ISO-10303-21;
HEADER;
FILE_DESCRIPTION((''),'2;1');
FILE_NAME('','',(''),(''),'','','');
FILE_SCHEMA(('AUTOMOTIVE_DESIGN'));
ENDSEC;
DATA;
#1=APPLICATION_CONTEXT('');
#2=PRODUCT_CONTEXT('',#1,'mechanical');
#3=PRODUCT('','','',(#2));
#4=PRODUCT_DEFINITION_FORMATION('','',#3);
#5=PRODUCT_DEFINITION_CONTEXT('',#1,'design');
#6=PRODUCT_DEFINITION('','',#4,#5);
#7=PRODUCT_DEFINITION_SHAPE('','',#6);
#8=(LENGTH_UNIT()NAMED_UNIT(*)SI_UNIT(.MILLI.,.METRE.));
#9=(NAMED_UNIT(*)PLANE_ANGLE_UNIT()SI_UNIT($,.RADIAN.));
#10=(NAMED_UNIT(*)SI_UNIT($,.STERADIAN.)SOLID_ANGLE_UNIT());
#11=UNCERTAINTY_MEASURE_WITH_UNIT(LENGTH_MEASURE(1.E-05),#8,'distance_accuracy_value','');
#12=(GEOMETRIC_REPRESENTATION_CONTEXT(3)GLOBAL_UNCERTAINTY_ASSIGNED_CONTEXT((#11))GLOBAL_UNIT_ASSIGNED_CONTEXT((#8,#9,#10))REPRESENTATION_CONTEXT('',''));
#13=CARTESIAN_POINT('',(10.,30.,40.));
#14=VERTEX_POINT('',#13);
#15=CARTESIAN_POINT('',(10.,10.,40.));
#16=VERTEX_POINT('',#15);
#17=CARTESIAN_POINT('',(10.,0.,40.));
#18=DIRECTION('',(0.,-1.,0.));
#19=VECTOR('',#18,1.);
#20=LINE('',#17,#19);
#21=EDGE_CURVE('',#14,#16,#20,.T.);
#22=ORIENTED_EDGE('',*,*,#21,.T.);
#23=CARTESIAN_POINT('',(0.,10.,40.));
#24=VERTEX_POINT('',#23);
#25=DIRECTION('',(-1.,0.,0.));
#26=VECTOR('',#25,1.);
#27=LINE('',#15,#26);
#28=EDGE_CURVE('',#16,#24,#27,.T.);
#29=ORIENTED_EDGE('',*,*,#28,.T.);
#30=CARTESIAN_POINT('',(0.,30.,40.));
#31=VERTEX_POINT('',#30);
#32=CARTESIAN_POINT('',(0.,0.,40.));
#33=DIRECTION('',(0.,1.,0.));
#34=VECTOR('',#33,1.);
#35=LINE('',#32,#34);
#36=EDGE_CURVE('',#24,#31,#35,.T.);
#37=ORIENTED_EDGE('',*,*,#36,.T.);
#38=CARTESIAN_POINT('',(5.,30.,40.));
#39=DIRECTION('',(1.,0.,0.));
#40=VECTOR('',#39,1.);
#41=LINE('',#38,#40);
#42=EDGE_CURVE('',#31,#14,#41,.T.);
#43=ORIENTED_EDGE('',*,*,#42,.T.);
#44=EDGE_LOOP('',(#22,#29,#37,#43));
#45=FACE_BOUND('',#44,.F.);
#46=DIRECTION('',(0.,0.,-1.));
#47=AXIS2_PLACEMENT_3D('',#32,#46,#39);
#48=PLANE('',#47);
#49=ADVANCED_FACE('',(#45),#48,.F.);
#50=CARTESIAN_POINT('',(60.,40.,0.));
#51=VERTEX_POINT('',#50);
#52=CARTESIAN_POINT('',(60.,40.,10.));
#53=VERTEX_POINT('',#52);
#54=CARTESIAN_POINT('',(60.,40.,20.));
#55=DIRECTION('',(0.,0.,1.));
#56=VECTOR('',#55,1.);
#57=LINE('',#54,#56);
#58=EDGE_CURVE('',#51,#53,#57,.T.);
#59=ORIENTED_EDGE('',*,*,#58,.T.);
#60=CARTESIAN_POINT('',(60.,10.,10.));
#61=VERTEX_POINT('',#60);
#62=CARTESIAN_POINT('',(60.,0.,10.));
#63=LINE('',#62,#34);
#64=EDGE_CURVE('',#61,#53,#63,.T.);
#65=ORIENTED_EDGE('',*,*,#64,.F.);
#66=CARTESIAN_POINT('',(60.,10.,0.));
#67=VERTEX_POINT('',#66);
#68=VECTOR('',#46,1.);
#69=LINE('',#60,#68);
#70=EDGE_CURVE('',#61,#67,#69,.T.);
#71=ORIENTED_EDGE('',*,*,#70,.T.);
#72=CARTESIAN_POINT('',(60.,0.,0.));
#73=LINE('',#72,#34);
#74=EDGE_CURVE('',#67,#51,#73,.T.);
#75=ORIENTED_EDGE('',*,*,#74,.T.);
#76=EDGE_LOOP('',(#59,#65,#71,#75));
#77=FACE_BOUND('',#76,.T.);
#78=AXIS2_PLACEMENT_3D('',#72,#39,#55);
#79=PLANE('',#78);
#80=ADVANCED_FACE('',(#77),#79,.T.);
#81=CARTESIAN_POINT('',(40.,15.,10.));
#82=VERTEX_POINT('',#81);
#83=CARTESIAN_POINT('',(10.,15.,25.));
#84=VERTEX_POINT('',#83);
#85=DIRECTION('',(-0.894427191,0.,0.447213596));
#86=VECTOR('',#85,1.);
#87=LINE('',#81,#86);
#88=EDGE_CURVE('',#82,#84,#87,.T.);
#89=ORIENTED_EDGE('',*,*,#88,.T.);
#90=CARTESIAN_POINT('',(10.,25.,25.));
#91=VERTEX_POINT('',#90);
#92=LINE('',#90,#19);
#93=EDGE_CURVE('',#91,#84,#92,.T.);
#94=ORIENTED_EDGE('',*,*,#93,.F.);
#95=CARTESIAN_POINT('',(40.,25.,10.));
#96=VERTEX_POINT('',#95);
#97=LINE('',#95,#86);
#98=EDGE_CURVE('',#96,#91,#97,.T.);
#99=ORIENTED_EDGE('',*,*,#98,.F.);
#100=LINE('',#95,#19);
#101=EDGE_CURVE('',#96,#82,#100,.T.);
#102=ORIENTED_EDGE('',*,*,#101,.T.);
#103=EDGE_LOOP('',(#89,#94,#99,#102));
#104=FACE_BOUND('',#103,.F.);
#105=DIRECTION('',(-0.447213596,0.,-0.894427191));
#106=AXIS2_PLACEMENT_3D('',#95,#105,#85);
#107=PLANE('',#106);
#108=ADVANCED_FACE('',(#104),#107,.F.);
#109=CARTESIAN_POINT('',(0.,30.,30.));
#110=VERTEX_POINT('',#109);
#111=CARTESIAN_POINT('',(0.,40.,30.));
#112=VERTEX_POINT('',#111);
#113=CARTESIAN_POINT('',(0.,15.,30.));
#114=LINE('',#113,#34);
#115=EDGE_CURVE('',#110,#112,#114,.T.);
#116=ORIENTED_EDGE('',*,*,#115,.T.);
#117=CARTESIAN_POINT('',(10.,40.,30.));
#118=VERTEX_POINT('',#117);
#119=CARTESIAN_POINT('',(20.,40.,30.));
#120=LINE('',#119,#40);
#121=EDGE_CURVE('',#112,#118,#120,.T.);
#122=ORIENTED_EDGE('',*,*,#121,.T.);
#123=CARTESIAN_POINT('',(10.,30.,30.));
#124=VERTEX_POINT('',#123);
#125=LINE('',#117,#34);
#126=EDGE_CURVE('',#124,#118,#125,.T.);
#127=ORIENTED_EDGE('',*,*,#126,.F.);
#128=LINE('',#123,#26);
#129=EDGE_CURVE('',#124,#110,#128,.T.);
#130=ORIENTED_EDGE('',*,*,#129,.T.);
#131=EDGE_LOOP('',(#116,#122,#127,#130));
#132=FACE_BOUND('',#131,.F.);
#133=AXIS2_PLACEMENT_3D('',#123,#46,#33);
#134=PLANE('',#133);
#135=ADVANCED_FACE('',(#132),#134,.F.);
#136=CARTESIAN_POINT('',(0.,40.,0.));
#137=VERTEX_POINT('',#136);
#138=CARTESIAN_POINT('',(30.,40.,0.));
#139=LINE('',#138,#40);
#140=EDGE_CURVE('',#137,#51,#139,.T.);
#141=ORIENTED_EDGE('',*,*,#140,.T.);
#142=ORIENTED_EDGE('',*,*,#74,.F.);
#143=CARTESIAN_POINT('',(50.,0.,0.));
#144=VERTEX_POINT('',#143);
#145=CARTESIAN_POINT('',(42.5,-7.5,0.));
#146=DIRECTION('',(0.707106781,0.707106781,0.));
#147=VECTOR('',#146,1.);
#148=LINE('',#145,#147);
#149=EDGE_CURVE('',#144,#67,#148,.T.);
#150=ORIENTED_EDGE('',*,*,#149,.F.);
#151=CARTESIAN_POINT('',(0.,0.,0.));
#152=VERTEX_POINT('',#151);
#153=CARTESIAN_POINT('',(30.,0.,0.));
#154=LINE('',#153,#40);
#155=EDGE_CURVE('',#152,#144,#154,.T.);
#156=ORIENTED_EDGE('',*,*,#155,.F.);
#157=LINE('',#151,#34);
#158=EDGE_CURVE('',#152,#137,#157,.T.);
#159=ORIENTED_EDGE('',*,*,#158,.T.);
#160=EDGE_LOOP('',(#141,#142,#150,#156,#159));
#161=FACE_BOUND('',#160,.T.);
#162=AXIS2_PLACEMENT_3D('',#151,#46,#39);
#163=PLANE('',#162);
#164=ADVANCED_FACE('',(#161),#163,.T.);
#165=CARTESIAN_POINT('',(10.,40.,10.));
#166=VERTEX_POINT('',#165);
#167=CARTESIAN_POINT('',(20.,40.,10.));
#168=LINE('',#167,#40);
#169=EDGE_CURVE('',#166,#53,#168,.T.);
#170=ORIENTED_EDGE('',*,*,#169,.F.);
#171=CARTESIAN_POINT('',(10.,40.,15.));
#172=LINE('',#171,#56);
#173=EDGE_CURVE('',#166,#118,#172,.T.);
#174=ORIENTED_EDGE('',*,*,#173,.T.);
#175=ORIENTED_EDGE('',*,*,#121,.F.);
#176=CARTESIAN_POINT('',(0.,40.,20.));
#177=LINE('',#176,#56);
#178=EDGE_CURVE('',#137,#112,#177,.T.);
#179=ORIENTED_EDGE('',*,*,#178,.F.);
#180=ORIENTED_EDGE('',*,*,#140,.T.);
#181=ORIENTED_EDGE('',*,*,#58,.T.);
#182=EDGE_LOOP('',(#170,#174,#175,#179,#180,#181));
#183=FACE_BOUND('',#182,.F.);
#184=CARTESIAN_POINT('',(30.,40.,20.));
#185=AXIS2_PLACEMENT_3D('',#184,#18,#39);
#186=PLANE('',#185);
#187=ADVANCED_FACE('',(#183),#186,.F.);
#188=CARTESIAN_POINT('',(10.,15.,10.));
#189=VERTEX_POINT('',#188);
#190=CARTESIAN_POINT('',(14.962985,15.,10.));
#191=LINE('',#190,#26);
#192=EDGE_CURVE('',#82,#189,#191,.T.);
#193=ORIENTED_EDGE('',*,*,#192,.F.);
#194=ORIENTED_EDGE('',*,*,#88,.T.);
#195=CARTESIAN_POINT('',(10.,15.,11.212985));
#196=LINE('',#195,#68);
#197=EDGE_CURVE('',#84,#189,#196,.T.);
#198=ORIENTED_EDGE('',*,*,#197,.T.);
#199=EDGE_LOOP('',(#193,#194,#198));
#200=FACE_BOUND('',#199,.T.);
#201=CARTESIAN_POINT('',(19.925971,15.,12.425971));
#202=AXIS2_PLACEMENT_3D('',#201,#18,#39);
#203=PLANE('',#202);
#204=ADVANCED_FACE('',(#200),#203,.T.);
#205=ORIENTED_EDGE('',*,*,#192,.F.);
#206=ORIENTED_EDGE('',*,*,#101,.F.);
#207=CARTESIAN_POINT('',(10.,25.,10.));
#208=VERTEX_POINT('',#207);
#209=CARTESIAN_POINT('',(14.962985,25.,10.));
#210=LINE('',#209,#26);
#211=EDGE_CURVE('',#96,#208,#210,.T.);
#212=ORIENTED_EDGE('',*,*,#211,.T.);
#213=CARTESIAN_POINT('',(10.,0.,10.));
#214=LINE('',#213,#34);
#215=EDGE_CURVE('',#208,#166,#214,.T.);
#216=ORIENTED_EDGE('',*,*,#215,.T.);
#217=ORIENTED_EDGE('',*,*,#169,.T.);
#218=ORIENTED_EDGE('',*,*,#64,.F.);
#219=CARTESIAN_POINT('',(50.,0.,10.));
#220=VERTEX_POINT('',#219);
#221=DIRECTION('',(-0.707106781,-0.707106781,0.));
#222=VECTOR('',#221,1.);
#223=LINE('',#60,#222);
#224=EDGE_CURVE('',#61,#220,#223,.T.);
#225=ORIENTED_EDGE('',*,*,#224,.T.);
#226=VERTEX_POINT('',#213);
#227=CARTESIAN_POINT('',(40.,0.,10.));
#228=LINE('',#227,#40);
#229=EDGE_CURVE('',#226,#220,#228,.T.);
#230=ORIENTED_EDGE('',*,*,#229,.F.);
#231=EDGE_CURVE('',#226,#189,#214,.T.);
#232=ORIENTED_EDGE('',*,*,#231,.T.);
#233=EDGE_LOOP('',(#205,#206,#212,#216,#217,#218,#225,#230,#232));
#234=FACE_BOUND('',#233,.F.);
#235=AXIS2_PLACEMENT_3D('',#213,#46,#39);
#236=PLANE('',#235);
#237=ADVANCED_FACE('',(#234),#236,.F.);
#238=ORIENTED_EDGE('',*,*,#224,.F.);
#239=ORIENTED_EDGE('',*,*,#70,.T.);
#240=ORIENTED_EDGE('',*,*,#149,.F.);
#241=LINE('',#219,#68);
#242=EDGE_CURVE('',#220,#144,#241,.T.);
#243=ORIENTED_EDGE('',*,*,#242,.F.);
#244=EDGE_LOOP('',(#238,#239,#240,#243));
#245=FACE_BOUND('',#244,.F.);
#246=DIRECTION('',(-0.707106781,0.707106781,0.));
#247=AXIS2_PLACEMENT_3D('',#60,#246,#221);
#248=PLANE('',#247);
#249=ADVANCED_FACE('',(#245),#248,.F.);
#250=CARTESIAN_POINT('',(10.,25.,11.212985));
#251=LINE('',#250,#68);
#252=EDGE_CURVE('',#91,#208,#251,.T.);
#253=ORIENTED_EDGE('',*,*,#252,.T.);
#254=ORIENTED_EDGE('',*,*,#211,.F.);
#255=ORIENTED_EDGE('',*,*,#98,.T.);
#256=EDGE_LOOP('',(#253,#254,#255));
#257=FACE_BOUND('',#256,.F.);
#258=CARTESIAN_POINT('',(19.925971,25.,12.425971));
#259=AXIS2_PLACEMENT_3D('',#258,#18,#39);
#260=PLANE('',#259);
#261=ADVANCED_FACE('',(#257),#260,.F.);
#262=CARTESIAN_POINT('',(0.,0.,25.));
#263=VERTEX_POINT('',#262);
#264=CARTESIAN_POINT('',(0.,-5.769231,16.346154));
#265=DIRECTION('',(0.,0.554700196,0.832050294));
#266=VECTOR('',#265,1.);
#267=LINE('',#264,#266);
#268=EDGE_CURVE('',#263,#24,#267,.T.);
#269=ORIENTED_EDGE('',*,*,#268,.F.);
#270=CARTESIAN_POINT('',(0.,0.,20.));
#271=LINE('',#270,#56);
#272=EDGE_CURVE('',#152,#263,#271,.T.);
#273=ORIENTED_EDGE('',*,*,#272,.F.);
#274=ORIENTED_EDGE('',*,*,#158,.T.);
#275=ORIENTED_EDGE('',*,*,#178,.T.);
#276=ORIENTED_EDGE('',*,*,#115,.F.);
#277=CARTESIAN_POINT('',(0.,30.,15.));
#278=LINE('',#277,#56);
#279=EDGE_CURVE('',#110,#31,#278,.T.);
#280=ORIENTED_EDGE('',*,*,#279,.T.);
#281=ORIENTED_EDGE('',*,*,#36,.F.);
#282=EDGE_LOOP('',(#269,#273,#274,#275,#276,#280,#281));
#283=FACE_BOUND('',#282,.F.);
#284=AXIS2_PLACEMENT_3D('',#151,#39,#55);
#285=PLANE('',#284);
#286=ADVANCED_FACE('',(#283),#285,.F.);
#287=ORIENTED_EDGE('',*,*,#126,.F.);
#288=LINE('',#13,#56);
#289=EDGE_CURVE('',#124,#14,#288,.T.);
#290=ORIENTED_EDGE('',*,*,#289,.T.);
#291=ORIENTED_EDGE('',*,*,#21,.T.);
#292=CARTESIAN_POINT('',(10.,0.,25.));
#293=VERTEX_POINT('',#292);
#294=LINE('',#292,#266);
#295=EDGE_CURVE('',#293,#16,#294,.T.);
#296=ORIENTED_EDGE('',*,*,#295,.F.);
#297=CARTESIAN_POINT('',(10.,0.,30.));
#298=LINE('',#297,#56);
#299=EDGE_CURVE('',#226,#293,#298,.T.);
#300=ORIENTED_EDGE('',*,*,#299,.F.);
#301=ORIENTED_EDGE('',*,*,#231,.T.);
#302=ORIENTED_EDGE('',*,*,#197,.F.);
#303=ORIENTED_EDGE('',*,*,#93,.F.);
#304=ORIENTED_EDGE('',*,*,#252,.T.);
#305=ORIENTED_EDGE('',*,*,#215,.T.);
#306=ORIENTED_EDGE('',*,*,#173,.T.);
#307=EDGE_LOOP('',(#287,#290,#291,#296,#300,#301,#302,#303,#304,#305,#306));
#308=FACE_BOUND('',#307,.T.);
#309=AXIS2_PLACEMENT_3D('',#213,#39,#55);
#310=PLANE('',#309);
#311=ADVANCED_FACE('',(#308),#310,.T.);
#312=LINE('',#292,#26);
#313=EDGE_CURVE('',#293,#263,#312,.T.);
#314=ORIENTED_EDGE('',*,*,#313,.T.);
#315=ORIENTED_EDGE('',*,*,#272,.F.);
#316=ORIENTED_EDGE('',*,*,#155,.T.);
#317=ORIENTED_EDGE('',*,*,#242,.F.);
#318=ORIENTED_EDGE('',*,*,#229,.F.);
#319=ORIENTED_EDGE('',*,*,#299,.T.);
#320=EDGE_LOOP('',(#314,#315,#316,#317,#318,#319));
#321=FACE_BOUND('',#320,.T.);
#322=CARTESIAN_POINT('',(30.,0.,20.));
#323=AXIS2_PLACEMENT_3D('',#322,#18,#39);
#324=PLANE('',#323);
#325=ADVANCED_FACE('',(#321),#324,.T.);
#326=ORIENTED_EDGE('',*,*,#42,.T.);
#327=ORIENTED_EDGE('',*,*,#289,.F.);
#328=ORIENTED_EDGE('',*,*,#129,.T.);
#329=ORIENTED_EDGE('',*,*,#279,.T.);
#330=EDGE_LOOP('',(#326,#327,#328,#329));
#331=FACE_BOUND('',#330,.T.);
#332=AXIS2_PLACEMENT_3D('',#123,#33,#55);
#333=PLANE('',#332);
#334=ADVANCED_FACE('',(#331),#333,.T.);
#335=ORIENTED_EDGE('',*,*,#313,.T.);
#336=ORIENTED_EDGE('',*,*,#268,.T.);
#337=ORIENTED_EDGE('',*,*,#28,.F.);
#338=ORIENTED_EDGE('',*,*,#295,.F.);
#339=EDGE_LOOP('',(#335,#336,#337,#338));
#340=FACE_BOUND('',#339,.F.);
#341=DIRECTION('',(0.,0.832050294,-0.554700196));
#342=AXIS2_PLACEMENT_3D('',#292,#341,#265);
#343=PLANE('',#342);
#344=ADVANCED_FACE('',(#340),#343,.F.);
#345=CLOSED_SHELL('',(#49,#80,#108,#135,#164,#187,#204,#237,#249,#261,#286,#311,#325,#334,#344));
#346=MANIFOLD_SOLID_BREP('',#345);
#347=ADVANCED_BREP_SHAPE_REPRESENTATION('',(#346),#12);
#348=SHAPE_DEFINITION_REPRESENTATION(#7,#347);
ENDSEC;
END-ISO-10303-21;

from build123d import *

# Parameters (mm, degrees)
F0_W      = 60
F0_H      = 40
F1_DEPTH  = 40
F2_W      = 60
F2_H      = 40
F3_DEPTH  = 40.001
F5_DEPTH  = 10.001
F6_W      = 20
F6_H      = 20
F7_DEPTH  = 10.001
F9_DEPTH  = 10.001
F12_DEPTH = 10


with BuildPart() as f1:
    # F0 (on Front) → F1 (new body)
    with BuildSketch(Plane.XZ):
        with Locations((30, 20)):
            Rectangle(F0_W, F0_H)
    extrude(amount=-F1_DEPTH)

    # F2 (on face) → F3 (cut, through all)
    with BuildSketch(Plane.XZ):
        with Locations((40, 30)):
            Rectangle(F2_W, F2_H)
    extrude(amount=-F3_DEPTH, mode=Mode.SUBTRACT)

    # F4 (on face) → F5 (cut, through all)
    with BuildSketch(Plane.YZ.offset(10)):
        Polygon((-10, 25), (0, 25), (10, 40), (10, 50), (-10, 50), align=None)
    extrude(amount=-F5_DEPTH, mode=Mode.SUBTRACT)

    # F6 (on face) → F7 (cut, through all)
    with BuildSketch(Plane.YZ.offset(10)):
        with Locations((40, 40)):
            Rectangle(F6_W, F6_H)
    extrude(amount=-F7_DEPTH, mode=Mode.SUBTRACT)

    # F8 (on face) → F9 (cut, through all)
    with BuildSketch(Plane.XY.offset(10)):
        Polygon((60, 10), (50, 0), (50, -10), (70, -10), (70, 10), align=None)
    extrude(amount=-F9_DEPTH, mode=Mode.SUBTRACT)

    # F11 (on offset) → F12 (join)
    with BuildSketch(Plane.XZ.offset(-25)):
        Polygon((40, 10), (10, 25), (5, 25), (5, 5), (40, 5), align=None)
    extrude(amount=F12_DEPTH)


solid = f1.part
